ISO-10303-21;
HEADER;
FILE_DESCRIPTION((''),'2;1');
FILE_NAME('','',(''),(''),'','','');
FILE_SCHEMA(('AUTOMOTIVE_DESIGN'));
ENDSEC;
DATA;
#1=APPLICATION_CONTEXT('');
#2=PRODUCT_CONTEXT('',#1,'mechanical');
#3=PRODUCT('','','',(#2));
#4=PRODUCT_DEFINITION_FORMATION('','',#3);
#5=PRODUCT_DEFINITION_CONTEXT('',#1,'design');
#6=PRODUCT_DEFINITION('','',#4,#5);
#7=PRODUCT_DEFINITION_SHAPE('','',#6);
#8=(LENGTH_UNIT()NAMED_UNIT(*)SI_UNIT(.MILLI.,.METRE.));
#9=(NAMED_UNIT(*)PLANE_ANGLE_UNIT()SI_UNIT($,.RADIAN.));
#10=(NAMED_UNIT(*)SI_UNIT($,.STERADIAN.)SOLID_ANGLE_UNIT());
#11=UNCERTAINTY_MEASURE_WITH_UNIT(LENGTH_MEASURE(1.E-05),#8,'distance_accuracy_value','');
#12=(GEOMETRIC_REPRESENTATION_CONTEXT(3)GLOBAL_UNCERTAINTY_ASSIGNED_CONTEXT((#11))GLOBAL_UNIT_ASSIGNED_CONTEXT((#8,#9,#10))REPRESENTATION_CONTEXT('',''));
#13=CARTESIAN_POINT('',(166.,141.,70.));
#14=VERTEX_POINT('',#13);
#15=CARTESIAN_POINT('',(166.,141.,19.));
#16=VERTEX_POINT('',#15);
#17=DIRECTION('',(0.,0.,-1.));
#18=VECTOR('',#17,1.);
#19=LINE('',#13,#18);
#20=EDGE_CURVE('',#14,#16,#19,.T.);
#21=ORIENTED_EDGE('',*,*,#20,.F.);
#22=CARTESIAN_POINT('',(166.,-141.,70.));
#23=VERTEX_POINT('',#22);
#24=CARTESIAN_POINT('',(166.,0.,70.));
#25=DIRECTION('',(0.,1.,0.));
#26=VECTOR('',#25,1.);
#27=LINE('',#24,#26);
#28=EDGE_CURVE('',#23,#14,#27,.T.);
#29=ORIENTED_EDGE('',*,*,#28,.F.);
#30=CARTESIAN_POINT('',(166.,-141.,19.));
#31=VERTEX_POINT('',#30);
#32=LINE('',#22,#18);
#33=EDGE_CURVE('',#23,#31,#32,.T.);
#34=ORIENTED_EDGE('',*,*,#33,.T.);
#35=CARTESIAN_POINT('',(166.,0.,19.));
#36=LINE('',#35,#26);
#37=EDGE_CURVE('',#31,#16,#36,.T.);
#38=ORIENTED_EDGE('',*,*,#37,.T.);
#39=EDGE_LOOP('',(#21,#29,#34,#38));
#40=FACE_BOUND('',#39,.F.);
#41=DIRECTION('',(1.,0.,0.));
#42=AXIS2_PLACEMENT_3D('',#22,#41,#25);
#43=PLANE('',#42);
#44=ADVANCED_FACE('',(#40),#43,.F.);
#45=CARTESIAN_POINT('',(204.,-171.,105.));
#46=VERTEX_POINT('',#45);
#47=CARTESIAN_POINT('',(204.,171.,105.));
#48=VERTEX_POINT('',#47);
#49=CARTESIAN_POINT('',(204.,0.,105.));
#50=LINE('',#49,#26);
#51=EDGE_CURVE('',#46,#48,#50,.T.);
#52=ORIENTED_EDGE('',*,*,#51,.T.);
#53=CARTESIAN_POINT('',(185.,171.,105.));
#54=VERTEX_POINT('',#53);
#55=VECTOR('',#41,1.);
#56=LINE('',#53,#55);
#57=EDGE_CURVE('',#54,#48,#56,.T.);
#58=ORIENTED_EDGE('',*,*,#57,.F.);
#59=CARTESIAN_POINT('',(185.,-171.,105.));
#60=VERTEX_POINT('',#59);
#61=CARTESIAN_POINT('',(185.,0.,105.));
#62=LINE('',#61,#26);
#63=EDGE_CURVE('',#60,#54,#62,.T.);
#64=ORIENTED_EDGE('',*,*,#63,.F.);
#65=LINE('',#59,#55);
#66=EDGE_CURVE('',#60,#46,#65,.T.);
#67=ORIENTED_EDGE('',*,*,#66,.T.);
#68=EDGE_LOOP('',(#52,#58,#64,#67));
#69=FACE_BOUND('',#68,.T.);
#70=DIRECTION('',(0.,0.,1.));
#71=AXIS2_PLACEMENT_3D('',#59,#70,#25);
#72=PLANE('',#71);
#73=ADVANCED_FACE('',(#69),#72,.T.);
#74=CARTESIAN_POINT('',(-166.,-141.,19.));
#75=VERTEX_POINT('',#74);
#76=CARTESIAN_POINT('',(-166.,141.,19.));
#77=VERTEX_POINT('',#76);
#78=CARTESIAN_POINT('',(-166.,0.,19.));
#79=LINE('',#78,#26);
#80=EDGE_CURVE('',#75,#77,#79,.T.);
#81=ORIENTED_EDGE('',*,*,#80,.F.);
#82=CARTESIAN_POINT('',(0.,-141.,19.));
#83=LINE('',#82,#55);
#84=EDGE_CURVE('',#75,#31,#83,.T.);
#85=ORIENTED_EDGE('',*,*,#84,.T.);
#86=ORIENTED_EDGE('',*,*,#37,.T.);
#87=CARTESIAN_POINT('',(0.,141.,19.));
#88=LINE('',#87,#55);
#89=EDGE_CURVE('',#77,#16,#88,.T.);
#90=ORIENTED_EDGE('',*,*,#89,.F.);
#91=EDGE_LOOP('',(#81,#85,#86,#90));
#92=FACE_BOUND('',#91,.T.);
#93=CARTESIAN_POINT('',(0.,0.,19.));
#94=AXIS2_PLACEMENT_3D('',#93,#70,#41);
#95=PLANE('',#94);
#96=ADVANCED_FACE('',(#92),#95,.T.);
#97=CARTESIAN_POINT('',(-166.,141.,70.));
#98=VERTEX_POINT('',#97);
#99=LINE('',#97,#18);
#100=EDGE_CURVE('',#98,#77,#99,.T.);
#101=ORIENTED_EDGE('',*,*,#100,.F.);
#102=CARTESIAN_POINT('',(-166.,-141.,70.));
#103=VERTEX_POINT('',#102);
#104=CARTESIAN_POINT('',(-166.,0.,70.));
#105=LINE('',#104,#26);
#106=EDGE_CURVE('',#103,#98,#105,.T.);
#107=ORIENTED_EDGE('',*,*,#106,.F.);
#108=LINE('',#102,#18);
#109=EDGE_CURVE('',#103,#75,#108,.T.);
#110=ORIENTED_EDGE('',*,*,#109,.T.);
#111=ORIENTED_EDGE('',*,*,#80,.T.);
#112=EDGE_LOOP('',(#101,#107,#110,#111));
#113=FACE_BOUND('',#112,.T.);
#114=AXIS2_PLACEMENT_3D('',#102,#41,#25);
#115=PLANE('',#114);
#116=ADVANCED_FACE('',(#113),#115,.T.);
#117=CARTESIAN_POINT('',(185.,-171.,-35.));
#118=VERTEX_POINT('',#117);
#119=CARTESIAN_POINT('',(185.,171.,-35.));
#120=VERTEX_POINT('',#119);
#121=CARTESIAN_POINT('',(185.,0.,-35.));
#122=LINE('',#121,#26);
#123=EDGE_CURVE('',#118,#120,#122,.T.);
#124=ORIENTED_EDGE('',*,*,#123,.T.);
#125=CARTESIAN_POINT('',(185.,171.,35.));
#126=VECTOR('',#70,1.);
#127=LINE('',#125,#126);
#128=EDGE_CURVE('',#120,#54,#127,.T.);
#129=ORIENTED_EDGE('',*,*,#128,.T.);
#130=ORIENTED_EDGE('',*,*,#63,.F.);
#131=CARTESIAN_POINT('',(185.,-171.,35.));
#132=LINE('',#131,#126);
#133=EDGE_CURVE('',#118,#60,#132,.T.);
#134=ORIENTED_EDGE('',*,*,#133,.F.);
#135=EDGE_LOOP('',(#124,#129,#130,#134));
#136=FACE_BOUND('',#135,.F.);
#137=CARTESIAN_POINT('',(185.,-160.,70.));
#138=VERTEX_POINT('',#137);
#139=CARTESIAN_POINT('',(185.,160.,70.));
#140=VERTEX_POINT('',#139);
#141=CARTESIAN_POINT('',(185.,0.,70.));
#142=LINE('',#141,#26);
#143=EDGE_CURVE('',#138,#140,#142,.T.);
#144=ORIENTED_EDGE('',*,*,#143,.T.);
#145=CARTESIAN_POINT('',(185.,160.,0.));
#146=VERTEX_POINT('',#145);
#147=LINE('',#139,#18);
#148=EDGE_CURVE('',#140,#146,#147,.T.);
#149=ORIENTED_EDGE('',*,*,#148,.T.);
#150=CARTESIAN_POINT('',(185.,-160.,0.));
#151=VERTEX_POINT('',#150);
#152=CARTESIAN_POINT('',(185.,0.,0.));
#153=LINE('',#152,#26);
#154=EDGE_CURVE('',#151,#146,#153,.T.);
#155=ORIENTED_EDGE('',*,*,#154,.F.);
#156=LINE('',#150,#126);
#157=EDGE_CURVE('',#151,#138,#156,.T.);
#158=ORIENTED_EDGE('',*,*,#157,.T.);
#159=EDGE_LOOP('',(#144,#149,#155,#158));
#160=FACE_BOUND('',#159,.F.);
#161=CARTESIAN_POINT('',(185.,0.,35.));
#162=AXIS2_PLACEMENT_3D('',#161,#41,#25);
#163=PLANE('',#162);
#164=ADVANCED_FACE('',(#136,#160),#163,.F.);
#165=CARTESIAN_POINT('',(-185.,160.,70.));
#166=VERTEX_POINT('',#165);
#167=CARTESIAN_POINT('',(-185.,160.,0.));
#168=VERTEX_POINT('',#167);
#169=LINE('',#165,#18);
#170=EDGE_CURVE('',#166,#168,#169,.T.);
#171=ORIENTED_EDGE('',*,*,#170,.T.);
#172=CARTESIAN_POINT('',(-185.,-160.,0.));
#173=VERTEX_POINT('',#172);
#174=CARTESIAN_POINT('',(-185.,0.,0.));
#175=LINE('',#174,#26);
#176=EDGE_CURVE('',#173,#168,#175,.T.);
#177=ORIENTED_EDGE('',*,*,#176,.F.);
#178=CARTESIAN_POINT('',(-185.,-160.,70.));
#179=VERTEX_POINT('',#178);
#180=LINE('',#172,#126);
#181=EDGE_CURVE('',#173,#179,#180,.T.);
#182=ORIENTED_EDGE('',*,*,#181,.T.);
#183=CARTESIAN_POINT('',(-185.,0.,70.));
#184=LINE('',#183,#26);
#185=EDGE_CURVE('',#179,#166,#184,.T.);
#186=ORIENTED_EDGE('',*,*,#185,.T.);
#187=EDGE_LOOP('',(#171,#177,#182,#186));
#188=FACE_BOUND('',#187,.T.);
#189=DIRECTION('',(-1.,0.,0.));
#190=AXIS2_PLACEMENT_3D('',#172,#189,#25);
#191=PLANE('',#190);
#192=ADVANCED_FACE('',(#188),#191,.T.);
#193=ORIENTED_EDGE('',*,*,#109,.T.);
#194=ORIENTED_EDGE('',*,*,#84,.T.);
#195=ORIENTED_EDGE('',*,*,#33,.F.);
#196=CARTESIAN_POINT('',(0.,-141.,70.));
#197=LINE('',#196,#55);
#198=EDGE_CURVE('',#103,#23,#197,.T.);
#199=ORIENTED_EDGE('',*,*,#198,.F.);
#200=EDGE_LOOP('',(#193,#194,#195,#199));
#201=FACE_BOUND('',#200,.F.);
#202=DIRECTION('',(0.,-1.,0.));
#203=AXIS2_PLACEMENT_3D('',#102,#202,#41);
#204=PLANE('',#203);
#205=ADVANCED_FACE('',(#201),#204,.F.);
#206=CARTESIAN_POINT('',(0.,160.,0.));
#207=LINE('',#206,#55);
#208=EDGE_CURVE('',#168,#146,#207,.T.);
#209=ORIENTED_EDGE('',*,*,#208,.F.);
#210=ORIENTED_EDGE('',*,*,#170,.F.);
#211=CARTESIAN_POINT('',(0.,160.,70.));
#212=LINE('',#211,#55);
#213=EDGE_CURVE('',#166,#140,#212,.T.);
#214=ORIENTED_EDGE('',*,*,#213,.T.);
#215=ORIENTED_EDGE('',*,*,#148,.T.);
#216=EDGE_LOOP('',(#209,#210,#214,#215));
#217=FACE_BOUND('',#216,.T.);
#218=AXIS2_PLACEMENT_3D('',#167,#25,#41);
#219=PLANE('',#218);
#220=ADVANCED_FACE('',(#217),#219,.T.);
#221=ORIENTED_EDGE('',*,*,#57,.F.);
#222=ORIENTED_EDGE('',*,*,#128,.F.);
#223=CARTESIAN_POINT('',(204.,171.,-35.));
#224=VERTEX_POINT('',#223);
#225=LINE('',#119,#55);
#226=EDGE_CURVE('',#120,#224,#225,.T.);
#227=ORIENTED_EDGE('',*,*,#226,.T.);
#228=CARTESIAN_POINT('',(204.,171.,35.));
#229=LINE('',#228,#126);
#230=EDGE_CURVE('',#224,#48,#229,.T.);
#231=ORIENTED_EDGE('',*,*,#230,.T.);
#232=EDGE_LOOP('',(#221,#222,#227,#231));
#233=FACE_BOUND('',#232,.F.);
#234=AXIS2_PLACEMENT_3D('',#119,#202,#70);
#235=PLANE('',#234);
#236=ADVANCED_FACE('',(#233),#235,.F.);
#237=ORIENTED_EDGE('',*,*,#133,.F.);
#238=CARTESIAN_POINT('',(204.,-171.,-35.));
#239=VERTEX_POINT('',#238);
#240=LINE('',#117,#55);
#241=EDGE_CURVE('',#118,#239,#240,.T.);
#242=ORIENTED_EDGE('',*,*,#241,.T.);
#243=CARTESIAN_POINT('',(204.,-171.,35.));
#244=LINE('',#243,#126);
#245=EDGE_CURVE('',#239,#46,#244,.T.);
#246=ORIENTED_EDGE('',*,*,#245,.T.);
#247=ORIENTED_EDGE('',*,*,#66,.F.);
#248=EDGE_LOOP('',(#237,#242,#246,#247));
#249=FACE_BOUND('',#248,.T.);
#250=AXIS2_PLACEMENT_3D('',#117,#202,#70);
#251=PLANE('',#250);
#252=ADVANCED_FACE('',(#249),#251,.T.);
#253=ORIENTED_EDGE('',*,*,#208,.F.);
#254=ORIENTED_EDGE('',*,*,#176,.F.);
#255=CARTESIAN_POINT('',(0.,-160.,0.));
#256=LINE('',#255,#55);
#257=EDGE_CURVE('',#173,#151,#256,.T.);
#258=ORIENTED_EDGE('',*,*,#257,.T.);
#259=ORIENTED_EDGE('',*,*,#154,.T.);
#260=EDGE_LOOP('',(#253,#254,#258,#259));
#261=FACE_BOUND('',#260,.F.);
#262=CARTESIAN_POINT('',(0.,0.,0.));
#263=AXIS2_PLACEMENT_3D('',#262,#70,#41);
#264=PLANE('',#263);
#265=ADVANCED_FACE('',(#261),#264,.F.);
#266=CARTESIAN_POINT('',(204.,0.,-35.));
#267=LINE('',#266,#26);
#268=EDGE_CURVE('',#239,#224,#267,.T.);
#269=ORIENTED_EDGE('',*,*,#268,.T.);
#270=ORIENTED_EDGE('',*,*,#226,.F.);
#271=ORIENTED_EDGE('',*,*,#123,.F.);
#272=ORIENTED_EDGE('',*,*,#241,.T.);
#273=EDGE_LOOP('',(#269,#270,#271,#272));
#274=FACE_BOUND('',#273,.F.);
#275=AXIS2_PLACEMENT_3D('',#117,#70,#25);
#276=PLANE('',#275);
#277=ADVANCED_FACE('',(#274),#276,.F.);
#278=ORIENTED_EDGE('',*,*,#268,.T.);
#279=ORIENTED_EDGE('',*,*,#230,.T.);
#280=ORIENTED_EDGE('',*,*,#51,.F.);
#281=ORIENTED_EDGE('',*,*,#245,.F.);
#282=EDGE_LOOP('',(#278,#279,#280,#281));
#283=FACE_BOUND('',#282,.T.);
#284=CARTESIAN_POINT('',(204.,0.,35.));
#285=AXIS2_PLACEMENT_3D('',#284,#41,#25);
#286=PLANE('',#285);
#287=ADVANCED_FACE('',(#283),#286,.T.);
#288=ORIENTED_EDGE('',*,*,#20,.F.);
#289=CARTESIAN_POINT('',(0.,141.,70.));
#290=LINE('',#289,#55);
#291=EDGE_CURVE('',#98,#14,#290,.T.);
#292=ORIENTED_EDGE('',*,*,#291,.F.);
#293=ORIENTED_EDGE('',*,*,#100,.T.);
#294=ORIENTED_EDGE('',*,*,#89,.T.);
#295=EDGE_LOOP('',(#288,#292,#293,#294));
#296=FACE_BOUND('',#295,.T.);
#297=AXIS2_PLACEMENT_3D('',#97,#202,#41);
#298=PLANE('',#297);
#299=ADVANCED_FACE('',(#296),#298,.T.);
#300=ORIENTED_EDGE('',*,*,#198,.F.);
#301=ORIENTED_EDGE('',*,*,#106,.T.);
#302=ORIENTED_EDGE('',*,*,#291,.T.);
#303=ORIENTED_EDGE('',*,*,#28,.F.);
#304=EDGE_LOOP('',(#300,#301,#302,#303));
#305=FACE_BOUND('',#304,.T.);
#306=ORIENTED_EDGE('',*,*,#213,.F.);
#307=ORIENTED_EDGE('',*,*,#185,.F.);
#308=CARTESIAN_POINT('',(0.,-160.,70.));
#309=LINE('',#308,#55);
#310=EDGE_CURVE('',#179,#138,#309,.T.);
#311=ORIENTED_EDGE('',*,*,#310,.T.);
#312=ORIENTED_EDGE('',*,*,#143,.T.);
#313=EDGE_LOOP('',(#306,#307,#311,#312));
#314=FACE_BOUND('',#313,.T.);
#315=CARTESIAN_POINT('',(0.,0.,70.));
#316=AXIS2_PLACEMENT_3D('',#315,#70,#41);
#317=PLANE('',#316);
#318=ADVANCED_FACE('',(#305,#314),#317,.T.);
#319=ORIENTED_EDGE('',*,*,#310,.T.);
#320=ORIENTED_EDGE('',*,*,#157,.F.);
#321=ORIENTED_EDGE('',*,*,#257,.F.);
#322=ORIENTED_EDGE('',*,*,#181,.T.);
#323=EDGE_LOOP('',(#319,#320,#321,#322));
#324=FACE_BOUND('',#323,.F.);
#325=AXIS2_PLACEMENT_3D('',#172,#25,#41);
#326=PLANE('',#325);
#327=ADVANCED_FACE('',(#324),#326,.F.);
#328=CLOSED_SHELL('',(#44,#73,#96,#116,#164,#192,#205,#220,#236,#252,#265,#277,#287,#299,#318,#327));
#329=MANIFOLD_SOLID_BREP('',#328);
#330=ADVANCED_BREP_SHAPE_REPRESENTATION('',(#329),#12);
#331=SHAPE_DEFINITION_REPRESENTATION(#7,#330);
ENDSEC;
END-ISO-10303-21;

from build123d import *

# Parameters (mm, degrees)
F0_W      = 370
F0_H      = 320
F1_DEPTH  = 70
F1_FACE_W = 370
F1_FACE_H = 320
F2_DEPTH  = 51
F3_W      = 332
F3_H      = 282
F4_DEPTH  = 51
F5_W      = 342
F5_H      = 140
F6_DEPTH  = 19


with BuildPart() as f1:
    # F0 (on Top) → F1 (new body)
    with BuildSketch(Plane.XY):
        Rectangle(F0_W, F0_H)
    extrude(amount=F1_DEPTH)

    # F1_face (on face) → F2 (join)
    with BuildSketch(Plane.XY.offset(70)):
        Rectangle(F1_FACE_W, F1_FACE_H)
    extrude(amount=-F2_DEPTH)

    # F3 (on face) → F4 (cut)
    with BuildSketch(Plane.XY.offset(70)):
        Rectangle(F3_W, F3_H)
    extrude(amount=-F4_DEPTH, mode=Mode.SUBTRACT)

    # F5 (on face) → F6 (join)
    with BuildSketch(Plane.YZ.offset(185)):
        with Locations((0, 35)):
            Rectangle(F5_W, F5_H)
    extrude(amount=F6_DEPTH)


solid = f1.part
